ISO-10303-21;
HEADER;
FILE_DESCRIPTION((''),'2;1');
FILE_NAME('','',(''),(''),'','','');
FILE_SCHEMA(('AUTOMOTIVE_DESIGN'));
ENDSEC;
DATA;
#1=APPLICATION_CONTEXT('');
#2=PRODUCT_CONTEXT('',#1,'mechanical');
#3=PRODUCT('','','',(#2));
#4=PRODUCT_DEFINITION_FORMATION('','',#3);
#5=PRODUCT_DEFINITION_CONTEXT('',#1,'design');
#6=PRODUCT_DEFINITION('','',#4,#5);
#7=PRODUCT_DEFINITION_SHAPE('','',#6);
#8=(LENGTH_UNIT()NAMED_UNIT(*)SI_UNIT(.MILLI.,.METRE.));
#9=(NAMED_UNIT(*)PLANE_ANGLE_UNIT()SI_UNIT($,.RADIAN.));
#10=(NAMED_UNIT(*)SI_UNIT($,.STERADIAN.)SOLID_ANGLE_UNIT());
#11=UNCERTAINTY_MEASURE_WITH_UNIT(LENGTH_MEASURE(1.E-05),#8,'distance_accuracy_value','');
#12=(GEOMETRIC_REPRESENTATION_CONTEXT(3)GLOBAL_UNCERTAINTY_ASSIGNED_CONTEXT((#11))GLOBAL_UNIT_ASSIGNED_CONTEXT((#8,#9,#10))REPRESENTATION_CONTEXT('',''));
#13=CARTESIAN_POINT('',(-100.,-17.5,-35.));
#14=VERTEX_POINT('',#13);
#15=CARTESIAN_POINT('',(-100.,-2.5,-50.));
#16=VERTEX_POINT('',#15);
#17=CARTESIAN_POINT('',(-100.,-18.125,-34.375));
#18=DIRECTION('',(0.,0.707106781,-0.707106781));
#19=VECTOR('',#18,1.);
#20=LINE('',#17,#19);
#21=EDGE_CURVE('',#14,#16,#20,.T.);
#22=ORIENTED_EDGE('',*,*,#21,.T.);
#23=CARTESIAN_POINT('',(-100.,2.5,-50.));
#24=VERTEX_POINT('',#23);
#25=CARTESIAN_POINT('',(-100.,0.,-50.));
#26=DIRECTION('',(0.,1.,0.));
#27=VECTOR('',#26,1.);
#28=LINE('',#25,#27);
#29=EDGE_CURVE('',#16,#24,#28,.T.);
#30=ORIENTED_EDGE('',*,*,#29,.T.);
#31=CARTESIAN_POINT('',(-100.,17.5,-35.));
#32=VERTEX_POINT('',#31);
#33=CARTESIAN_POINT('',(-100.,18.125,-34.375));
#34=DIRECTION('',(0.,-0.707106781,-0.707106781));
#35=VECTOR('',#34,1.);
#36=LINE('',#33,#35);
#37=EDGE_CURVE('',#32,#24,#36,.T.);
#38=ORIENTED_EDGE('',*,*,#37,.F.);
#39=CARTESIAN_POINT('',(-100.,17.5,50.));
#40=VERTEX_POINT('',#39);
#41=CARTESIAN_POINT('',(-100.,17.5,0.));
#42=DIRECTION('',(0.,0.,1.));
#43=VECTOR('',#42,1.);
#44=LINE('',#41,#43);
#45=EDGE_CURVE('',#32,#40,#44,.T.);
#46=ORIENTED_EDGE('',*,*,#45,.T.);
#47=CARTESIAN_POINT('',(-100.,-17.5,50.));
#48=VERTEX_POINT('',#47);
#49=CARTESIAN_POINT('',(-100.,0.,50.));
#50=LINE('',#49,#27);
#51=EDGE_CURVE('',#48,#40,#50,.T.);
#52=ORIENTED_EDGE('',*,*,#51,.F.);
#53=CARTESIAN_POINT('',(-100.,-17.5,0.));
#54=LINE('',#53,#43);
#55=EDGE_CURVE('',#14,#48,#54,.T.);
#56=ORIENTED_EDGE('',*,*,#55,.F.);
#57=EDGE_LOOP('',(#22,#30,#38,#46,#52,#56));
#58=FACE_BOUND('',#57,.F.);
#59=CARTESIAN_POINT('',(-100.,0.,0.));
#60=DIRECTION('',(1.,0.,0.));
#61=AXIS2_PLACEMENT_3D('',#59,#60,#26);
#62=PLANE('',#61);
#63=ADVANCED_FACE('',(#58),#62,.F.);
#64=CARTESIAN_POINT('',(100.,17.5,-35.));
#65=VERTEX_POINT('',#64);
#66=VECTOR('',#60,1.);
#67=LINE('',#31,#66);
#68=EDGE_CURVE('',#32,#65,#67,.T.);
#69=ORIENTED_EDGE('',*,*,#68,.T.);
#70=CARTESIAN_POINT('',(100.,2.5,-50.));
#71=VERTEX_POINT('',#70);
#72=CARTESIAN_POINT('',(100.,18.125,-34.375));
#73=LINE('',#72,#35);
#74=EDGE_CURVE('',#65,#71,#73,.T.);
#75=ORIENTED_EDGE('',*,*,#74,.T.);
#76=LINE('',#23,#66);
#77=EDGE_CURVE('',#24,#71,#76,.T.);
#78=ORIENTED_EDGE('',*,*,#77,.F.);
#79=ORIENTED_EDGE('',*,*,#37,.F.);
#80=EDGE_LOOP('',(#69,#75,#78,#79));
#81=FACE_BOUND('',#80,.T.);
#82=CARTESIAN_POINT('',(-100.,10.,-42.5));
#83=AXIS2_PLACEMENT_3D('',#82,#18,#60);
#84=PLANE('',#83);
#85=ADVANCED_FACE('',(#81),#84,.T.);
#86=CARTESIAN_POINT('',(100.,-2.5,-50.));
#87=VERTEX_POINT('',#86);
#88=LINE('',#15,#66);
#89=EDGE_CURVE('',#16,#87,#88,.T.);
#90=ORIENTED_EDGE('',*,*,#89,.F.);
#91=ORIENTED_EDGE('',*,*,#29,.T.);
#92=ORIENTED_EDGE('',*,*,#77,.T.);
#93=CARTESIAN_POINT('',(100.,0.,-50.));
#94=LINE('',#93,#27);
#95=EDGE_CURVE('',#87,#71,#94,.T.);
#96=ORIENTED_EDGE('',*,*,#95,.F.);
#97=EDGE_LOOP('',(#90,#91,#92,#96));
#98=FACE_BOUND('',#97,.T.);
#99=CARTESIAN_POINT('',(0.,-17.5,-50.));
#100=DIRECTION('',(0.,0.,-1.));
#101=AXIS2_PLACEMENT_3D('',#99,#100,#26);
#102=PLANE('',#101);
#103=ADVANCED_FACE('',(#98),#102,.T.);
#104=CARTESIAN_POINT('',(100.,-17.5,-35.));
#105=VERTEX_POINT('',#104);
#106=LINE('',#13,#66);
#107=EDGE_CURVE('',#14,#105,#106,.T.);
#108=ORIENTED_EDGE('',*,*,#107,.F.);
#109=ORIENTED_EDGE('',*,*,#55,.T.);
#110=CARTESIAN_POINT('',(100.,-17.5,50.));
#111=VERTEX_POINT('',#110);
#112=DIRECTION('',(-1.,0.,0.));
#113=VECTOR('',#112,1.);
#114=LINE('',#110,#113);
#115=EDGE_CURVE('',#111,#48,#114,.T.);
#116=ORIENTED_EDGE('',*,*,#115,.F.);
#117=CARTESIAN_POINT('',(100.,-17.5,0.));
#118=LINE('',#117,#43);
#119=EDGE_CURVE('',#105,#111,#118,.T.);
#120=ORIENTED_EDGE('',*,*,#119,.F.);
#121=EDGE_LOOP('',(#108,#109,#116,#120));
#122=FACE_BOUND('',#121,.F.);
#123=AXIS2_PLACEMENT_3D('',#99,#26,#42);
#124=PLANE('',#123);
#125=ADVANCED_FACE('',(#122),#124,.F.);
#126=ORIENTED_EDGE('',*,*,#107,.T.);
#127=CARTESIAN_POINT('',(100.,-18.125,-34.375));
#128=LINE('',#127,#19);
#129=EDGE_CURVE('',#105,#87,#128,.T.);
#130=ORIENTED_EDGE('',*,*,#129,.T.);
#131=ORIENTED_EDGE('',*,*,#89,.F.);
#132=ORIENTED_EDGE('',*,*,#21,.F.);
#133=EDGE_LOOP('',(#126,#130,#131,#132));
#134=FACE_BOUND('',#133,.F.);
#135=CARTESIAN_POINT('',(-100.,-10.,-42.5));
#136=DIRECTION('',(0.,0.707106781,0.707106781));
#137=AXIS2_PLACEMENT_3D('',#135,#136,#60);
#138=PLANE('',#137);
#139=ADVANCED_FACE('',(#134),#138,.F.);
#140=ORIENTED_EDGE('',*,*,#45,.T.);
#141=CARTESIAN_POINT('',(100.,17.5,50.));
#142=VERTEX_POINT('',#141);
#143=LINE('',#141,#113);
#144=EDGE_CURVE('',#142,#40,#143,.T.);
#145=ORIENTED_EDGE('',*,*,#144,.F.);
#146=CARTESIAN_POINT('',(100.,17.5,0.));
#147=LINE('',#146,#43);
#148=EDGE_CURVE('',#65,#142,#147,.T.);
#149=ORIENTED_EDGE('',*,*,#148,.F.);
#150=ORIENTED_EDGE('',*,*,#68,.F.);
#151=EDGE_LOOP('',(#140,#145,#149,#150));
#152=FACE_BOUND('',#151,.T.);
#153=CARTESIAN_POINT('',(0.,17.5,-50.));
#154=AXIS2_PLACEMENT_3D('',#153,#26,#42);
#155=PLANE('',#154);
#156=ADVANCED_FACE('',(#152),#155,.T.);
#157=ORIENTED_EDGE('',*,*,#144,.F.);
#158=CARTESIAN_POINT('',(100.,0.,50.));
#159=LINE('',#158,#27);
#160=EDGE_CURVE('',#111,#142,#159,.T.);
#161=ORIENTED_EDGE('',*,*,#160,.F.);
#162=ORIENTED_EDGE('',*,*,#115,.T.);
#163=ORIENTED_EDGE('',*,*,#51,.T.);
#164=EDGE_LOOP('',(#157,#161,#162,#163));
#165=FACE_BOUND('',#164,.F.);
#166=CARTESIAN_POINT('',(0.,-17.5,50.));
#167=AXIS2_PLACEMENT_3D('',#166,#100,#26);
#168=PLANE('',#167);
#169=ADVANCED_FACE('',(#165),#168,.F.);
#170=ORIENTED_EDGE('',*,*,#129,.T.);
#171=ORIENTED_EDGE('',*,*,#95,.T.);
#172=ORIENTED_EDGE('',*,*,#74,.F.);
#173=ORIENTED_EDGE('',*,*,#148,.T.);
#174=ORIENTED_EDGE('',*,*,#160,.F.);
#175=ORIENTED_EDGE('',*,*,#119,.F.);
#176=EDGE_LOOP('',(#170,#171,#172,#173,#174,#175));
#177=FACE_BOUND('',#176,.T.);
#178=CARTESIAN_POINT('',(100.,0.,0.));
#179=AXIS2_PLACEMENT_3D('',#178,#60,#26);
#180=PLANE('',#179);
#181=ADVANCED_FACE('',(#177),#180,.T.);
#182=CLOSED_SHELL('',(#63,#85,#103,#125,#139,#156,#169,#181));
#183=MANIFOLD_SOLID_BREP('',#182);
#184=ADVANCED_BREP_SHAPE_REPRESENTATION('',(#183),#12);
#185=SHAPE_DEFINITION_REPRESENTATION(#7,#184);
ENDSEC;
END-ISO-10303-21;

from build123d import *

# Parameters (mm, degrees)
F0_W     = 35
F0_H     = 100
F1_DEPTH = 100
F2_SIZE  = 15


with BuildPart() as f1:
    # F0 (on Right) → F1 (new body, symmetric)
    with BuildSketch(Plane.YZ):
        Rectangle(F0_W, F0_H)
    extrude(amount=F1_DEPTH, both=True)

    # F2
    f2_edges = [f1.edges().sort_by_distance(p)[0] for p in [
        (0, -17.5, -50),
        (0, 17.5, -50),
    ]]
    chamfer(f2_edges, length=F2_SIZE)


solid = f1.part
